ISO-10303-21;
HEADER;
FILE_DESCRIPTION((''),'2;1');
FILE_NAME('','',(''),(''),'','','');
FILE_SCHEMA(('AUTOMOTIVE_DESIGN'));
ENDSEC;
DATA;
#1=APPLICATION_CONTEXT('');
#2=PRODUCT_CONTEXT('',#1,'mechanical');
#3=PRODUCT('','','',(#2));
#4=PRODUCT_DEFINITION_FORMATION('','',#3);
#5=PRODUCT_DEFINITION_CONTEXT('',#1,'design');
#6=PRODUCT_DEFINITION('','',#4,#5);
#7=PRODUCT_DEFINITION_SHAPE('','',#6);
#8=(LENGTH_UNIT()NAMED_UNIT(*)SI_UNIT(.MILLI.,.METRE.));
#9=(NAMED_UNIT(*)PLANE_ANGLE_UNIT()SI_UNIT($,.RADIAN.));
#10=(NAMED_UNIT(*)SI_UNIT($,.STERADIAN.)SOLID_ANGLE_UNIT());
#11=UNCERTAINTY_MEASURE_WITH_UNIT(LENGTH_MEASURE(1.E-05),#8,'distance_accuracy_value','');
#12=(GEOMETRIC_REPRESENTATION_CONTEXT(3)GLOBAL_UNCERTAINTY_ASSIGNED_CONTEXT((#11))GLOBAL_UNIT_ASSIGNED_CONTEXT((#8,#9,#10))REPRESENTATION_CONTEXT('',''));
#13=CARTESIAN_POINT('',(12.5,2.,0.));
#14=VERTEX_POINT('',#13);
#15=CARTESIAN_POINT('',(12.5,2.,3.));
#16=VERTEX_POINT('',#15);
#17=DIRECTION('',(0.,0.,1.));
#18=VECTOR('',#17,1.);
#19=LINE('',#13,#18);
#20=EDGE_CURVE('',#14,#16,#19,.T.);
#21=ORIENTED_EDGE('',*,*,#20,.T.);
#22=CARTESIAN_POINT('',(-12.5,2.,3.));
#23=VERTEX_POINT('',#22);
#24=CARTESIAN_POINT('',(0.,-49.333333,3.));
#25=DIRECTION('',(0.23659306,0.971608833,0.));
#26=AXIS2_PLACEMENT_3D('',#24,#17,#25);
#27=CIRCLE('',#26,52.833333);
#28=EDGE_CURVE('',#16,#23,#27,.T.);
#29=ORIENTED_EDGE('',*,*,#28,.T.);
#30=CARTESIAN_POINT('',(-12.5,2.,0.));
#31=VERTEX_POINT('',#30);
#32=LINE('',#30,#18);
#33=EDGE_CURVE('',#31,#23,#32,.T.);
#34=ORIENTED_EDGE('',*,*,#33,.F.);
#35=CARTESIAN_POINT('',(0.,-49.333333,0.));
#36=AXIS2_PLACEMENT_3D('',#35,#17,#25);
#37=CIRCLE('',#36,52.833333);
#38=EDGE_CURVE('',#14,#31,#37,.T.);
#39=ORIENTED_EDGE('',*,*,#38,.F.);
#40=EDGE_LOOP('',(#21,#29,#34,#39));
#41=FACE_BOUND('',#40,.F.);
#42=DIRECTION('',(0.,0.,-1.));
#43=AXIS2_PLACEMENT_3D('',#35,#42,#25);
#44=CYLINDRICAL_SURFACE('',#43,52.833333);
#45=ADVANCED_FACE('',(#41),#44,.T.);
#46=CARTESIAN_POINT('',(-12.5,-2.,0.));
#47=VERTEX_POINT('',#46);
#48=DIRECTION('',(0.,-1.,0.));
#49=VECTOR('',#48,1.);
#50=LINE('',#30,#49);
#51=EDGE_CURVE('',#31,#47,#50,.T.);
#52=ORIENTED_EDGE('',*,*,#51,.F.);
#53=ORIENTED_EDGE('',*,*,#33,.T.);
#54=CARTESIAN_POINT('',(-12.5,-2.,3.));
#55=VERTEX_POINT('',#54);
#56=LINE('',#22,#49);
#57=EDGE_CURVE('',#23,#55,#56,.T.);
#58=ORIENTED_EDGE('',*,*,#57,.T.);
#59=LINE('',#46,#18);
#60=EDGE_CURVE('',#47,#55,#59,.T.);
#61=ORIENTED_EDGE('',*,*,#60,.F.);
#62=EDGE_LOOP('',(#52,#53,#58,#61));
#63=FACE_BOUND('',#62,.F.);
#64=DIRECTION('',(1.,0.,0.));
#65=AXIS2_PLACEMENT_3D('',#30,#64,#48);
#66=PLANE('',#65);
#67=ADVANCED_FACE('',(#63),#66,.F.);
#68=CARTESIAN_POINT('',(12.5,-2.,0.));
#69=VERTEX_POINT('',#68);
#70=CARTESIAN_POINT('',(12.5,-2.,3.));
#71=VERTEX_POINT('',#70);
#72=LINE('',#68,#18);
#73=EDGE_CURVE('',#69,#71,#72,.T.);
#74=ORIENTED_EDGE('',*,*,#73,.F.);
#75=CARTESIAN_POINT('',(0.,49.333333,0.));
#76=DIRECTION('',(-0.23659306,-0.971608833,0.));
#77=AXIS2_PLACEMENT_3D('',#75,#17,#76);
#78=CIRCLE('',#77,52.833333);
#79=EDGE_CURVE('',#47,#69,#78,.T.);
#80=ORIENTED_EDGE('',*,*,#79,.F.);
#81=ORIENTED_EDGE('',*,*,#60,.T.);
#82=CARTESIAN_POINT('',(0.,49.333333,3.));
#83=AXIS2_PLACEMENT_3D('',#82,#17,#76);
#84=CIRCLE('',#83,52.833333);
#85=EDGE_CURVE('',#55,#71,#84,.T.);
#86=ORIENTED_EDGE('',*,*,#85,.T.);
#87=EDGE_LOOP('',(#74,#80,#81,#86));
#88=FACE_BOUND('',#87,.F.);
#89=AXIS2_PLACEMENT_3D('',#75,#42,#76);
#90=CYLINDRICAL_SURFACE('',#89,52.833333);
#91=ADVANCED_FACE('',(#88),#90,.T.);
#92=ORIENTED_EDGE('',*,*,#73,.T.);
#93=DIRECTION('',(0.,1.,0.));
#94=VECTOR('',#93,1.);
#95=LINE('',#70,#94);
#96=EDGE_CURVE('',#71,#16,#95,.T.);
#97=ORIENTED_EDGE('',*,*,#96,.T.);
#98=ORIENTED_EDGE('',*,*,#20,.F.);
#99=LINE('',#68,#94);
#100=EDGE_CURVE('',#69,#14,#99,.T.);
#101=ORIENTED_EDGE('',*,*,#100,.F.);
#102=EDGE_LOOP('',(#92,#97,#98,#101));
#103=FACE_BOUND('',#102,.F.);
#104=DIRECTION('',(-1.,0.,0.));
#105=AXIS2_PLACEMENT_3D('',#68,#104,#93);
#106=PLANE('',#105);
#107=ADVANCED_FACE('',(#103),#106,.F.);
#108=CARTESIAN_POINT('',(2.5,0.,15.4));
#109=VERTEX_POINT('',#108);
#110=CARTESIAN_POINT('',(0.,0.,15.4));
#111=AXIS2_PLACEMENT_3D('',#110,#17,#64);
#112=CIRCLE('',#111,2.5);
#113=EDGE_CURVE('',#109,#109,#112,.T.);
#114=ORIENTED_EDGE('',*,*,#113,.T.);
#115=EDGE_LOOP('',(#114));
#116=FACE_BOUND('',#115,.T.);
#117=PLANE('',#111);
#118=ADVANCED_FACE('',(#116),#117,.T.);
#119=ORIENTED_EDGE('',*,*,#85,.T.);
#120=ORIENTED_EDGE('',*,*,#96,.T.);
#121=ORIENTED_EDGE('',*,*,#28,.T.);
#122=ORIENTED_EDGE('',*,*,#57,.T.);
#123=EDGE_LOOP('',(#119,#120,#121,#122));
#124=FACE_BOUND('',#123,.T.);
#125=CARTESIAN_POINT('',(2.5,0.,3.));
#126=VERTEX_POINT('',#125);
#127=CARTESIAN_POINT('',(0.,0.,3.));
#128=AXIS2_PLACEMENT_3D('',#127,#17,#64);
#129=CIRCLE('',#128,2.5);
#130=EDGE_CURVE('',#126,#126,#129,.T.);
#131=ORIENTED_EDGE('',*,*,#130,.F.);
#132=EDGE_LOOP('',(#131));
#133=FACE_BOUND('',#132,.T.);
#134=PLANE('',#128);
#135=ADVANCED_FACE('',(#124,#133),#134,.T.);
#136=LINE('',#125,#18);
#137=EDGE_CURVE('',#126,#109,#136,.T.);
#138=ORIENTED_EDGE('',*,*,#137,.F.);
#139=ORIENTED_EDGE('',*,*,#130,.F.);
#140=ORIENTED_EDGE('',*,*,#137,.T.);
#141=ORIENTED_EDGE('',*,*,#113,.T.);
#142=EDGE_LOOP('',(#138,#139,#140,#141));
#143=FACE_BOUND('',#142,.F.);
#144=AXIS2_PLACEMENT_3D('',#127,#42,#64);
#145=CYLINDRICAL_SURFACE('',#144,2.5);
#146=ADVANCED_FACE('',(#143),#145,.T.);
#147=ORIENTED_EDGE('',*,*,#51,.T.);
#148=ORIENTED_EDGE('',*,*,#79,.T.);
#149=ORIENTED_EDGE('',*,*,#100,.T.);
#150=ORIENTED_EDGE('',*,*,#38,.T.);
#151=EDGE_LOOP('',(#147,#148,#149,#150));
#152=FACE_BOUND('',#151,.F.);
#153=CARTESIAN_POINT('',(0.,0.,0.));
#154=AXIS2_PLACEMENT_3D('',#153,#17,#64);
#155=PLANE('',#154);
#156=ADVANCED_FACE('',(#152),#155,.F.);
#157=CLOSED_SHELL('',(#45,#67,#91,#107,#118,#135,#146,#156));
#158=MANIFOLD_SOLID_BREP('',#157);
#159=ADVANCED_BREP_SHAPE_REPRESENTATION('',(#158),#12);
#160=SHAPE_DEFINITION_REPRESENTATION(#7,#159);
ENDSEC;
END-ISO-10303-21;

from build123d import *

# Parameters (mm, degrees)
F1_DEPTH = 3
F2_R     = 2.5
F3_DEPTH = 12.4


with BuildPart() as f1:
    # F0 (on Top) → F1 (new body)
    with BuildSketch(Plane.XY):
        with BuildLine():
            Line((12.5, -2), (12.5, 2))
            ThreePointArc((12.5, 2), (0, 3.5), (-12.5, 2))
            Line((-12.5, 2), (-12.5, -2))
            ThreePointArc((-12.5, -2), (0, -3.5), (12.5, -2))
        make_face()
    extrude(amount=F1_DEPTH)

    # F2 (on face) → F3 (join)
    with BuildSketch(Plane.XY.offset(3)):
        Circle(F2_R)
    extrude(amount=F3_DEPTH)


solid = f1.part
